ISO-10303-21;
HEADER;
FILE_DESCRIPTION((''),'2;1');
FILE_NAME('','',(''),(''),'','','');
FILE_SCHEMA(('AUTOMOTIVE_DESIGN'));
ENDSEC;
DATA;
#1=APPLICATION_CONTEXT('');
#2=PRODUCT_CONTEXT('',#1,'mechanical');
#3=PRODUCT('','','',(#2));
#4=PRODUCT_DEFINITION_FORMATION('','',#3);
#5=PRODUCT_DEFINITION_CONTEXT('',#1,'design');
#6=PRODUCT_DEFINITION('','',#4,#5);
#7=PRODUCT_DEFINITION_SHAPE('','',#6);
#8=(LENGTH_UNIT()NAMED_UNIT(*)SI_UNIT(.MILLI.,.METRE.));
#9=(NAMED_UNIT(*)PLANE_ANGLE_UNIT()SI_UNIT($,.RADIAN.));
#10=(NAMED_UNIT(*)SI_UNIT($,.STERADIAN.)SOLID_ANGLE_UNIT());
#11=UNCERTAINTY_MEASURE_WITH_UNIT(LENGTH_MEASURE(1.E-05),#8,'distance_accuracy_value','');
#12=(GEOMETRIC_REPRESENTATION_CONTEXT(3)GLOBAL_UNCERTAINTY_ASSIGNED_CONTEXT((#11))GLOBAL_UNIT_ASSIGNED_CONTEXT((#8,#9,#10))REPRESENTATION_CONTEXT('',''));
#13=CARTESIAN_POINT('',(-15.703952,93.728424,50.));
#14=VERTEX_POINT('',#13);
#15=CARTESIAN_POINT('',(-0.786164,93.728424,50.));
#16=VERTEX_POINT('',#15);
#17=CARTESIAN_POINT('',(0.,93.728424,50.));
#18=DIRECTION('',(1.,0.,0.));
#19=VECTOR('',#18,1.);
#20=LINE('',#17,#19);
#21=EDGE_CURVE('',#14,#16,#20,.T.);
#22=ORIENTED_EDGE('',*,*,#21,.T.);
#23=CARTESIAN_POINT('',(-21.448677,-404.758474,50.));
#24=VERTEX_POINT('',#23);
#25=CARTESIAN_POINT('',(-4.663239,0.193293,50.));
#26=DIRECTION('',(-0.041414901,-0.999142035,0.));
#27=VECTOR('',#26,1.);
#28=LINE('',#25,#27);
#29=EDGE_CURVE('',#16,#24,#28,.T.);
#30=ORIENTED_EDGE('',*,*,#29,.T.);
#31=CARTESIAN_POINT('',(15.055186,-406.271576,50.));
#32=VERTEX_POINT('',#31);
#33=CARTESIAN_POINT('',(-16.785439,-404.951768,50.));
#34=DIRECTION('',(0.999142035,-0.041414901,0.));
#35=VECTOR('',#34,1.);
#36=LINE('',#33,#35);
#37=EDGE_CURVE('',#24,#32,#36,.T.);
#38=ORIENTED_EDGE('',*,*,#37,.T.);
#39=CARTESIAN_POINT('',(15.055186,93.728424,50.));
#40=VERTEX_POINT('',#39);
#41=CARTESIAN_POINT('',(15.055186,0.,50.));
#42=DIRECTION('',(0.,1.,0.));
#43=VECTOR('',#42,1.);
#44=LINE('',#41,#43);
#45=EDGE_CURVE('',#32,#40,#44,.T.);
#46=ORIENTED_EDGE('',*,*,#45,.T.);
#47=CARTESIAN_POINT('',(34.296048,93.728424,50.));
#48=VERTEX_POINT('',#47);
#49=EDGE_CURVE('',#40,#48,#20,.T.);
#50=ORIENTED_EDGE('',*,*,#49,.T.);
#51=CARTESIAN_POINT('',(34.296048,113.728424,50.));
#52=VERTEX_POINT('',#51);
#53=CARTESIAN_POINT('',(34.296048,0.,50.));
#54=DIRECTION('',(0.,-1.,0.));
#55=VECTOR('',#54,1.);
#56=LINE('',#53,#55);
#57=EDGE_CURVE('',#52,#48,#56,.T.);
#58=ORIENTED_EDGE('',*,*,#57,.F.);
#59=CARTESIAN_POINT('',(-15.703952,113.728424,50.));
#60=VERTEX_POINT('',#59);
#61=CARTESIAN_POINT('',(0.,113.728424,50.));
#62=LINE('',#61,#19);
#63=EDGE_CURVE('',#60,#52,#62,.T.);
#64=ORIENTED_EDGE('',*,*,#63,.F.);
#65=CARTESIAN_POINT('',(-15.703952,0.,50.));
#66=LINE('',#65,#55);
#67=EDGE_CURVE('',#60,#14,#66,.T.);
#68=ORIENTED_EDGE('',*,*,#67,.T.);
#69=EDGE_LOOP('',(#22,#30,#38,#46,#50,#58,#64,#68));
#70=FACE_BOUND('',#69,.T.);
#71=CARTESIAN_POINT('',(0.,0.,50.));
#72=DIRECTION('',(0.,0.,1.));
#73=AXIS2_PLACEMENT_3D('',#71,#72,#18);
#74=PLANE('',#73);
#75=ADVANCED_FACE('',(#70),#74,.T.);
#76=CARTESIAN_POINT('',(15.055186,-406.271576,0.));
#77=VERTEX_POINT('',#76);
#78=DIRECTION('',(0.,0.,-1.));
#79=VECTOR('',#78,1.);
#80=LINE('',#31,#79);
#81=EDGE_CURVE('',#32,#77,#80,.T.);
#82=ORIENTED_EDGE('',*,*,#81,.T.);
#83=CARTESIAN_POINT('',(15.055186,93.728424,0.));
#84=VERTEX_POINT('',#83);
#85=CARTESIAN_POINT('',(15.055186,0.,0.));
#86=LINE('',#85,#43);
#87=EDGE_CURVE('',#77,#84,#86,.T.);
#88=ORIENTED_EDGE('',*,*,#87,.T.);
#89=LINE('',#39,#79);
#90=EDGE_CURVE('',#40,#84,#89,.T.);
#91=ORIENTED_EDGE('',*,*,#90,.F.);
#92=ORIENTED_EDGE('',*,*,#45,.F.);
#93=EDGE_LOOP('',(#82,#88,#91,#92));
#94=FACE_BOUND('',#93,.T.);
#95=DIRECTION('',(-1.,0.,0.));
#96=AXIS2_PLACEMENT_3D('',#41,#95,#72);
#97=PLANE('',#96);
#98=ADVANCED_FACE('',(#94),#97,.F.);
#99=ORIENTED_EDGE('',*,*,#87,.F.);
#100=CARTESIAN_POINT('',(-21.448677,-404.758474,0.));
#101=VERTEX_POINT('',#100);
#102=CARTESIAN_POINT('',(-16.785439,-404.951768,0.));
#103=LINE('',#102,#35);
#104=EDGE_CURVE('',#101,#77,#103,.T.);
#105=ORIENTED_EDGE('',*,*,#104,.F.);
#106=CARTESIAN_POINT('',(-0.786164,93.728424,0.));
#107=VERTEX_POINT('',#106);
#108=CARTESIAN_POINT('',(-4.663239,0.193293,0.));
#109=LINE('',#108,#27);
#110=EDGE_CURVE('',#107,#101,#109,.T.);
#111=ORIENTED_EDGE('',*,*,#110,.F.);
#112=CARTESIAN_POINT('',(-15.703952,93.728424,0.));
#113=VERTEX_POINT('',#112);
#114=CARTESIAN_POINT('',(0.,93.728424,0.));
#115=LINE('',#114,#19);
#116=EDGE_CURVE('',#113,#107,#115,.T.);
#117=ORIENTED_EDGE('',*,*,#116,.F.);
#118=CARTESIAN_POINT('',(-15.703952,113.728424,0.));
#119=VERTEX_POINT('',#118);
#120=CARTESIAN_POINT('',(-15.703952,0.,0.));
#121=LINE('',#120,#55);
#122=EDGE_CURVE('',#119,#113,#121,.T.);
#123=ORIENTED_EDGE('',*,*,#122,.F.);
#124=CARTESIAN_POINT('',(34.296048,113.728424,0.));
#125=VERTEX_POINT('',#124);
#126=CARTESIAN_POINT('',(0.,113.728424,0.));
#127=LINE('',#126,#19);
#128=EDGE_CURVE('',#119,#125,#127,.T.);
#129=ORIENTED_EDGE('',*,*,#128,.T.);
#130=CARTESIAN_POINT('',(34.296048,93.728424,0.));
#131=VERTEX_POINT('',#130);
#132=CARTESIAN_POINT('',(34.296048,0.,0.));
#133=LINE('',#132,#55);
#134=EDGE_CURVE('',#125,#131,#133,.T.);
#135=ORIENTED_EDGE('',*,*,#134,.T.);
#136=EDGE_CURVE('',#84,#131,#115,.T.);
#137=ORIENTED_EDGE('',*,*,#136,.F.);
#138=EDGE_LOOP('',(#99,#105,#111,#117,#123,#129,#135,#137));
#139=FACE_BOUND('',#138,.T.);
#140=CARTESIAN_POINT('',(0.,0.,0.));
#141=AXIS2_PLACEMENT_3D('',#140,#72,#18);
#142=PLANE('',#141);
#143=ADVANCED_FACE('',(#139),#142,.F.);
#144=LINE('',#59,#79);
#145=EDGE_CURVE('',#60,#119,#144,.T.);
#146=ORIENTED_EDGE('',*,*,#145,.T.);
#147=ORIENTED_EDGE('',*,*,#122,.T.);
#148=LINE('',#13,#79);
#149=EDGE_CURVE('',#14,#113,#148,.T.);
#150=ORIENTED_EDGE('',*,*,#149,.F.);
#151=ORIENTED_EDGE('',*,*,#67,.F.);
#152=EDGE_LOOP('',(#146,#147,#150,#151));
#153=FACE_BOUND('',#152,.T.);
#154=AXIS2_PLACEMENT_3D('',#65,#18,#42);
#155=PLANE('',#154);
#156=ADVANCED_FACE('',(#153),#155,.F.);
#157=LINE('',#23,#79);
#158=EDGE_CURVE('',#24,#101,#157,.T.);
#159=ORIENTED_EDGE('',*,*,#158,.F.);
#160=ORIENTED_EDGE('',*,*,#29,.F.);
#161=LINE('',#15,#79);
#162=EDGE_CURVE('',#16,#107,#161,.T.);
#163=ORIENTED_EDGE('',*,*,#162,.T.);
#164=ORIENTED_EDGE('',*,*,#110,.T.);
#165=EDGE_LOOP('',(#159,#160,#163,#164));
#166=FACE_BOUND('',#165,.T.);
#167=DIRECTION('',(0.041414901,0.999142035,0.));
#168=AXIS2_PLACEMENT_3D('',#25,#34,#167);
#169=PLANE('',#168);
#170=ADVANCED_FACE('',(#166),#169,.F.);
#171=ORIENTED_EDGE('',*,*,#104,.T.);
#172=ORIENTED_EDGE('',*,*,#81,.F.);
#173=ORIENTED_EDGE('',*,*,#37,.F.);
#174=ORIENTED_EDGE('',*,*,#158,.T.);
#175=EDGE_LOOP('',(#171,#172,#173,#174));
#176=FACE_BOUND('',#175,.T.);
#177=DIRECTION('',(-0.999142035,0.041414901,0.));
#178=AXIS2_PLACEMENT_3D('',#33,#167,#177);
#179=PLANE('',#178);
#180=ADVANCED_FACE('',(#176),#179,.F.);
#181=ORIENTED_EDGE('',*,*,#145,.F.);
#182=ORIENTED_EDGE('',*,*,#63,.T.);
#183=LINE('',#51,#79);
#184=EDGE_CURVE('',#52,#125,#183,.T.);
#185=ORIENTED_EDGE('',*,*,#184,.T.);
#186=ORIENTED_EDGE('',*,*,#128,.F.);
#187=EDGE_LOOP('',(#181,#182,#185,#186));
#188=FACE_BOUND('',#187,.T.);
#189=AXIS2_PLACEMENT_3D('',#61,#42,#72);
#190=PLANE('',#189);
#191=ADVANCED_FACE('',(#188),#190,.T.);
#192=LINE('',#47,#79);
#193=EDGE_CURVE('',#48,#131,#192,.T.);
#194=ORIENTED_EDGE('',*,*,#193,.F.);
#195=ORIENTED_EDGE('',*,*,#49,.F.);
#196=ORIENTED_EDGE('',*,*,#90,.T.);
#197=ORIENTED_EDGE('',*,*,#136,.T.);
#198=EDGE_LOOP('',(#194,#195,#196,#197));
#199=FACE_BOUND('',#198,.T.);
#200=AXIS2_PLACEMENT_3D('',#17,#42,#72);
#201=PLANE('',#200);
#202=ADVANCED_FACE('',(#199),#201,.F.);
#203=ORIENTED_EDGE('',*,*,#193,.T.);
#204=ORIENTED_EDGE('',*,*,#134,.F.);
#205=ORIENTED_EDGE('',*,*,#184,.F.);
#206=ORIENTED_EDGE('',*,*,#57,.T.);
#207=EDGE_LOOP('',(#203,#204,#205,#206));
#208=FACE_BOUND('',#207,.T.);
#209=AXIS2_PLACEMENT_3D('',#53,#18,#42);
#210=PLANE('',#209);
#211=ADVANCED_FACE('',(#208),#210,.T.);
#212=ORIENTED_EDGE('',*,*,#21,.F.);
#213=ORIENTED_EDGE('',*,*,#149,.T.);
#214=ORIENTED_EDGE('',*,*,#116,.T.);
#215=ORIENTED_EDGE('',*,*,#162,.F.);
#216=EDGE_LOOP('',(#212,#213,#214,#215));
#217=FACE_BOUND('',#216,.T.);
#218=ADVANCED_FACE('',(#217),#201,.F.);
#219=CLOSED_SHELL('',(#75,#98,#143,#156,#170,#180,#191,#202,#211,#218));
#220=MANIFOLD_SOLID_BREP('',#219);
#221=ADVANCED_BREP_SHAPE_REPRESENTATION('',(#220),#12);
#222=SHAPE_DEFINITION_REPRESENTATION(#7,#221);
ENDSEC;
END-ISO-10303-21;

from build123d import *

# Parameters (mm, degrees)
BOSS_EXTRUDE1_DEPTH = 50


with BuildPart() as part:
    # Sketch1 → Boss-Extrude1 (new body)
    with BuildSketch(Plane.XY):
        Polygon((15.05518629, 93.72842378), (9.296047762, 93.72842378), (-0.786164341, 93.72842378), (-21.44867742, -404.758474142), (15.05518629, -406.27157622), align=None)
        Polygon((-0.786164341, 93.72842378), (9.296047762, 93.72842378), (15.05518629, 93.72842378), (34.296047762, 93.72842378), (34.296047762, 113.72842378), (-15.703952238, 113.72842378), (-15.703952238, 93.72842378), align=None)
    extrude(amount=BOSS_EXTRUDE1_DEPTH)


solid = part.part
